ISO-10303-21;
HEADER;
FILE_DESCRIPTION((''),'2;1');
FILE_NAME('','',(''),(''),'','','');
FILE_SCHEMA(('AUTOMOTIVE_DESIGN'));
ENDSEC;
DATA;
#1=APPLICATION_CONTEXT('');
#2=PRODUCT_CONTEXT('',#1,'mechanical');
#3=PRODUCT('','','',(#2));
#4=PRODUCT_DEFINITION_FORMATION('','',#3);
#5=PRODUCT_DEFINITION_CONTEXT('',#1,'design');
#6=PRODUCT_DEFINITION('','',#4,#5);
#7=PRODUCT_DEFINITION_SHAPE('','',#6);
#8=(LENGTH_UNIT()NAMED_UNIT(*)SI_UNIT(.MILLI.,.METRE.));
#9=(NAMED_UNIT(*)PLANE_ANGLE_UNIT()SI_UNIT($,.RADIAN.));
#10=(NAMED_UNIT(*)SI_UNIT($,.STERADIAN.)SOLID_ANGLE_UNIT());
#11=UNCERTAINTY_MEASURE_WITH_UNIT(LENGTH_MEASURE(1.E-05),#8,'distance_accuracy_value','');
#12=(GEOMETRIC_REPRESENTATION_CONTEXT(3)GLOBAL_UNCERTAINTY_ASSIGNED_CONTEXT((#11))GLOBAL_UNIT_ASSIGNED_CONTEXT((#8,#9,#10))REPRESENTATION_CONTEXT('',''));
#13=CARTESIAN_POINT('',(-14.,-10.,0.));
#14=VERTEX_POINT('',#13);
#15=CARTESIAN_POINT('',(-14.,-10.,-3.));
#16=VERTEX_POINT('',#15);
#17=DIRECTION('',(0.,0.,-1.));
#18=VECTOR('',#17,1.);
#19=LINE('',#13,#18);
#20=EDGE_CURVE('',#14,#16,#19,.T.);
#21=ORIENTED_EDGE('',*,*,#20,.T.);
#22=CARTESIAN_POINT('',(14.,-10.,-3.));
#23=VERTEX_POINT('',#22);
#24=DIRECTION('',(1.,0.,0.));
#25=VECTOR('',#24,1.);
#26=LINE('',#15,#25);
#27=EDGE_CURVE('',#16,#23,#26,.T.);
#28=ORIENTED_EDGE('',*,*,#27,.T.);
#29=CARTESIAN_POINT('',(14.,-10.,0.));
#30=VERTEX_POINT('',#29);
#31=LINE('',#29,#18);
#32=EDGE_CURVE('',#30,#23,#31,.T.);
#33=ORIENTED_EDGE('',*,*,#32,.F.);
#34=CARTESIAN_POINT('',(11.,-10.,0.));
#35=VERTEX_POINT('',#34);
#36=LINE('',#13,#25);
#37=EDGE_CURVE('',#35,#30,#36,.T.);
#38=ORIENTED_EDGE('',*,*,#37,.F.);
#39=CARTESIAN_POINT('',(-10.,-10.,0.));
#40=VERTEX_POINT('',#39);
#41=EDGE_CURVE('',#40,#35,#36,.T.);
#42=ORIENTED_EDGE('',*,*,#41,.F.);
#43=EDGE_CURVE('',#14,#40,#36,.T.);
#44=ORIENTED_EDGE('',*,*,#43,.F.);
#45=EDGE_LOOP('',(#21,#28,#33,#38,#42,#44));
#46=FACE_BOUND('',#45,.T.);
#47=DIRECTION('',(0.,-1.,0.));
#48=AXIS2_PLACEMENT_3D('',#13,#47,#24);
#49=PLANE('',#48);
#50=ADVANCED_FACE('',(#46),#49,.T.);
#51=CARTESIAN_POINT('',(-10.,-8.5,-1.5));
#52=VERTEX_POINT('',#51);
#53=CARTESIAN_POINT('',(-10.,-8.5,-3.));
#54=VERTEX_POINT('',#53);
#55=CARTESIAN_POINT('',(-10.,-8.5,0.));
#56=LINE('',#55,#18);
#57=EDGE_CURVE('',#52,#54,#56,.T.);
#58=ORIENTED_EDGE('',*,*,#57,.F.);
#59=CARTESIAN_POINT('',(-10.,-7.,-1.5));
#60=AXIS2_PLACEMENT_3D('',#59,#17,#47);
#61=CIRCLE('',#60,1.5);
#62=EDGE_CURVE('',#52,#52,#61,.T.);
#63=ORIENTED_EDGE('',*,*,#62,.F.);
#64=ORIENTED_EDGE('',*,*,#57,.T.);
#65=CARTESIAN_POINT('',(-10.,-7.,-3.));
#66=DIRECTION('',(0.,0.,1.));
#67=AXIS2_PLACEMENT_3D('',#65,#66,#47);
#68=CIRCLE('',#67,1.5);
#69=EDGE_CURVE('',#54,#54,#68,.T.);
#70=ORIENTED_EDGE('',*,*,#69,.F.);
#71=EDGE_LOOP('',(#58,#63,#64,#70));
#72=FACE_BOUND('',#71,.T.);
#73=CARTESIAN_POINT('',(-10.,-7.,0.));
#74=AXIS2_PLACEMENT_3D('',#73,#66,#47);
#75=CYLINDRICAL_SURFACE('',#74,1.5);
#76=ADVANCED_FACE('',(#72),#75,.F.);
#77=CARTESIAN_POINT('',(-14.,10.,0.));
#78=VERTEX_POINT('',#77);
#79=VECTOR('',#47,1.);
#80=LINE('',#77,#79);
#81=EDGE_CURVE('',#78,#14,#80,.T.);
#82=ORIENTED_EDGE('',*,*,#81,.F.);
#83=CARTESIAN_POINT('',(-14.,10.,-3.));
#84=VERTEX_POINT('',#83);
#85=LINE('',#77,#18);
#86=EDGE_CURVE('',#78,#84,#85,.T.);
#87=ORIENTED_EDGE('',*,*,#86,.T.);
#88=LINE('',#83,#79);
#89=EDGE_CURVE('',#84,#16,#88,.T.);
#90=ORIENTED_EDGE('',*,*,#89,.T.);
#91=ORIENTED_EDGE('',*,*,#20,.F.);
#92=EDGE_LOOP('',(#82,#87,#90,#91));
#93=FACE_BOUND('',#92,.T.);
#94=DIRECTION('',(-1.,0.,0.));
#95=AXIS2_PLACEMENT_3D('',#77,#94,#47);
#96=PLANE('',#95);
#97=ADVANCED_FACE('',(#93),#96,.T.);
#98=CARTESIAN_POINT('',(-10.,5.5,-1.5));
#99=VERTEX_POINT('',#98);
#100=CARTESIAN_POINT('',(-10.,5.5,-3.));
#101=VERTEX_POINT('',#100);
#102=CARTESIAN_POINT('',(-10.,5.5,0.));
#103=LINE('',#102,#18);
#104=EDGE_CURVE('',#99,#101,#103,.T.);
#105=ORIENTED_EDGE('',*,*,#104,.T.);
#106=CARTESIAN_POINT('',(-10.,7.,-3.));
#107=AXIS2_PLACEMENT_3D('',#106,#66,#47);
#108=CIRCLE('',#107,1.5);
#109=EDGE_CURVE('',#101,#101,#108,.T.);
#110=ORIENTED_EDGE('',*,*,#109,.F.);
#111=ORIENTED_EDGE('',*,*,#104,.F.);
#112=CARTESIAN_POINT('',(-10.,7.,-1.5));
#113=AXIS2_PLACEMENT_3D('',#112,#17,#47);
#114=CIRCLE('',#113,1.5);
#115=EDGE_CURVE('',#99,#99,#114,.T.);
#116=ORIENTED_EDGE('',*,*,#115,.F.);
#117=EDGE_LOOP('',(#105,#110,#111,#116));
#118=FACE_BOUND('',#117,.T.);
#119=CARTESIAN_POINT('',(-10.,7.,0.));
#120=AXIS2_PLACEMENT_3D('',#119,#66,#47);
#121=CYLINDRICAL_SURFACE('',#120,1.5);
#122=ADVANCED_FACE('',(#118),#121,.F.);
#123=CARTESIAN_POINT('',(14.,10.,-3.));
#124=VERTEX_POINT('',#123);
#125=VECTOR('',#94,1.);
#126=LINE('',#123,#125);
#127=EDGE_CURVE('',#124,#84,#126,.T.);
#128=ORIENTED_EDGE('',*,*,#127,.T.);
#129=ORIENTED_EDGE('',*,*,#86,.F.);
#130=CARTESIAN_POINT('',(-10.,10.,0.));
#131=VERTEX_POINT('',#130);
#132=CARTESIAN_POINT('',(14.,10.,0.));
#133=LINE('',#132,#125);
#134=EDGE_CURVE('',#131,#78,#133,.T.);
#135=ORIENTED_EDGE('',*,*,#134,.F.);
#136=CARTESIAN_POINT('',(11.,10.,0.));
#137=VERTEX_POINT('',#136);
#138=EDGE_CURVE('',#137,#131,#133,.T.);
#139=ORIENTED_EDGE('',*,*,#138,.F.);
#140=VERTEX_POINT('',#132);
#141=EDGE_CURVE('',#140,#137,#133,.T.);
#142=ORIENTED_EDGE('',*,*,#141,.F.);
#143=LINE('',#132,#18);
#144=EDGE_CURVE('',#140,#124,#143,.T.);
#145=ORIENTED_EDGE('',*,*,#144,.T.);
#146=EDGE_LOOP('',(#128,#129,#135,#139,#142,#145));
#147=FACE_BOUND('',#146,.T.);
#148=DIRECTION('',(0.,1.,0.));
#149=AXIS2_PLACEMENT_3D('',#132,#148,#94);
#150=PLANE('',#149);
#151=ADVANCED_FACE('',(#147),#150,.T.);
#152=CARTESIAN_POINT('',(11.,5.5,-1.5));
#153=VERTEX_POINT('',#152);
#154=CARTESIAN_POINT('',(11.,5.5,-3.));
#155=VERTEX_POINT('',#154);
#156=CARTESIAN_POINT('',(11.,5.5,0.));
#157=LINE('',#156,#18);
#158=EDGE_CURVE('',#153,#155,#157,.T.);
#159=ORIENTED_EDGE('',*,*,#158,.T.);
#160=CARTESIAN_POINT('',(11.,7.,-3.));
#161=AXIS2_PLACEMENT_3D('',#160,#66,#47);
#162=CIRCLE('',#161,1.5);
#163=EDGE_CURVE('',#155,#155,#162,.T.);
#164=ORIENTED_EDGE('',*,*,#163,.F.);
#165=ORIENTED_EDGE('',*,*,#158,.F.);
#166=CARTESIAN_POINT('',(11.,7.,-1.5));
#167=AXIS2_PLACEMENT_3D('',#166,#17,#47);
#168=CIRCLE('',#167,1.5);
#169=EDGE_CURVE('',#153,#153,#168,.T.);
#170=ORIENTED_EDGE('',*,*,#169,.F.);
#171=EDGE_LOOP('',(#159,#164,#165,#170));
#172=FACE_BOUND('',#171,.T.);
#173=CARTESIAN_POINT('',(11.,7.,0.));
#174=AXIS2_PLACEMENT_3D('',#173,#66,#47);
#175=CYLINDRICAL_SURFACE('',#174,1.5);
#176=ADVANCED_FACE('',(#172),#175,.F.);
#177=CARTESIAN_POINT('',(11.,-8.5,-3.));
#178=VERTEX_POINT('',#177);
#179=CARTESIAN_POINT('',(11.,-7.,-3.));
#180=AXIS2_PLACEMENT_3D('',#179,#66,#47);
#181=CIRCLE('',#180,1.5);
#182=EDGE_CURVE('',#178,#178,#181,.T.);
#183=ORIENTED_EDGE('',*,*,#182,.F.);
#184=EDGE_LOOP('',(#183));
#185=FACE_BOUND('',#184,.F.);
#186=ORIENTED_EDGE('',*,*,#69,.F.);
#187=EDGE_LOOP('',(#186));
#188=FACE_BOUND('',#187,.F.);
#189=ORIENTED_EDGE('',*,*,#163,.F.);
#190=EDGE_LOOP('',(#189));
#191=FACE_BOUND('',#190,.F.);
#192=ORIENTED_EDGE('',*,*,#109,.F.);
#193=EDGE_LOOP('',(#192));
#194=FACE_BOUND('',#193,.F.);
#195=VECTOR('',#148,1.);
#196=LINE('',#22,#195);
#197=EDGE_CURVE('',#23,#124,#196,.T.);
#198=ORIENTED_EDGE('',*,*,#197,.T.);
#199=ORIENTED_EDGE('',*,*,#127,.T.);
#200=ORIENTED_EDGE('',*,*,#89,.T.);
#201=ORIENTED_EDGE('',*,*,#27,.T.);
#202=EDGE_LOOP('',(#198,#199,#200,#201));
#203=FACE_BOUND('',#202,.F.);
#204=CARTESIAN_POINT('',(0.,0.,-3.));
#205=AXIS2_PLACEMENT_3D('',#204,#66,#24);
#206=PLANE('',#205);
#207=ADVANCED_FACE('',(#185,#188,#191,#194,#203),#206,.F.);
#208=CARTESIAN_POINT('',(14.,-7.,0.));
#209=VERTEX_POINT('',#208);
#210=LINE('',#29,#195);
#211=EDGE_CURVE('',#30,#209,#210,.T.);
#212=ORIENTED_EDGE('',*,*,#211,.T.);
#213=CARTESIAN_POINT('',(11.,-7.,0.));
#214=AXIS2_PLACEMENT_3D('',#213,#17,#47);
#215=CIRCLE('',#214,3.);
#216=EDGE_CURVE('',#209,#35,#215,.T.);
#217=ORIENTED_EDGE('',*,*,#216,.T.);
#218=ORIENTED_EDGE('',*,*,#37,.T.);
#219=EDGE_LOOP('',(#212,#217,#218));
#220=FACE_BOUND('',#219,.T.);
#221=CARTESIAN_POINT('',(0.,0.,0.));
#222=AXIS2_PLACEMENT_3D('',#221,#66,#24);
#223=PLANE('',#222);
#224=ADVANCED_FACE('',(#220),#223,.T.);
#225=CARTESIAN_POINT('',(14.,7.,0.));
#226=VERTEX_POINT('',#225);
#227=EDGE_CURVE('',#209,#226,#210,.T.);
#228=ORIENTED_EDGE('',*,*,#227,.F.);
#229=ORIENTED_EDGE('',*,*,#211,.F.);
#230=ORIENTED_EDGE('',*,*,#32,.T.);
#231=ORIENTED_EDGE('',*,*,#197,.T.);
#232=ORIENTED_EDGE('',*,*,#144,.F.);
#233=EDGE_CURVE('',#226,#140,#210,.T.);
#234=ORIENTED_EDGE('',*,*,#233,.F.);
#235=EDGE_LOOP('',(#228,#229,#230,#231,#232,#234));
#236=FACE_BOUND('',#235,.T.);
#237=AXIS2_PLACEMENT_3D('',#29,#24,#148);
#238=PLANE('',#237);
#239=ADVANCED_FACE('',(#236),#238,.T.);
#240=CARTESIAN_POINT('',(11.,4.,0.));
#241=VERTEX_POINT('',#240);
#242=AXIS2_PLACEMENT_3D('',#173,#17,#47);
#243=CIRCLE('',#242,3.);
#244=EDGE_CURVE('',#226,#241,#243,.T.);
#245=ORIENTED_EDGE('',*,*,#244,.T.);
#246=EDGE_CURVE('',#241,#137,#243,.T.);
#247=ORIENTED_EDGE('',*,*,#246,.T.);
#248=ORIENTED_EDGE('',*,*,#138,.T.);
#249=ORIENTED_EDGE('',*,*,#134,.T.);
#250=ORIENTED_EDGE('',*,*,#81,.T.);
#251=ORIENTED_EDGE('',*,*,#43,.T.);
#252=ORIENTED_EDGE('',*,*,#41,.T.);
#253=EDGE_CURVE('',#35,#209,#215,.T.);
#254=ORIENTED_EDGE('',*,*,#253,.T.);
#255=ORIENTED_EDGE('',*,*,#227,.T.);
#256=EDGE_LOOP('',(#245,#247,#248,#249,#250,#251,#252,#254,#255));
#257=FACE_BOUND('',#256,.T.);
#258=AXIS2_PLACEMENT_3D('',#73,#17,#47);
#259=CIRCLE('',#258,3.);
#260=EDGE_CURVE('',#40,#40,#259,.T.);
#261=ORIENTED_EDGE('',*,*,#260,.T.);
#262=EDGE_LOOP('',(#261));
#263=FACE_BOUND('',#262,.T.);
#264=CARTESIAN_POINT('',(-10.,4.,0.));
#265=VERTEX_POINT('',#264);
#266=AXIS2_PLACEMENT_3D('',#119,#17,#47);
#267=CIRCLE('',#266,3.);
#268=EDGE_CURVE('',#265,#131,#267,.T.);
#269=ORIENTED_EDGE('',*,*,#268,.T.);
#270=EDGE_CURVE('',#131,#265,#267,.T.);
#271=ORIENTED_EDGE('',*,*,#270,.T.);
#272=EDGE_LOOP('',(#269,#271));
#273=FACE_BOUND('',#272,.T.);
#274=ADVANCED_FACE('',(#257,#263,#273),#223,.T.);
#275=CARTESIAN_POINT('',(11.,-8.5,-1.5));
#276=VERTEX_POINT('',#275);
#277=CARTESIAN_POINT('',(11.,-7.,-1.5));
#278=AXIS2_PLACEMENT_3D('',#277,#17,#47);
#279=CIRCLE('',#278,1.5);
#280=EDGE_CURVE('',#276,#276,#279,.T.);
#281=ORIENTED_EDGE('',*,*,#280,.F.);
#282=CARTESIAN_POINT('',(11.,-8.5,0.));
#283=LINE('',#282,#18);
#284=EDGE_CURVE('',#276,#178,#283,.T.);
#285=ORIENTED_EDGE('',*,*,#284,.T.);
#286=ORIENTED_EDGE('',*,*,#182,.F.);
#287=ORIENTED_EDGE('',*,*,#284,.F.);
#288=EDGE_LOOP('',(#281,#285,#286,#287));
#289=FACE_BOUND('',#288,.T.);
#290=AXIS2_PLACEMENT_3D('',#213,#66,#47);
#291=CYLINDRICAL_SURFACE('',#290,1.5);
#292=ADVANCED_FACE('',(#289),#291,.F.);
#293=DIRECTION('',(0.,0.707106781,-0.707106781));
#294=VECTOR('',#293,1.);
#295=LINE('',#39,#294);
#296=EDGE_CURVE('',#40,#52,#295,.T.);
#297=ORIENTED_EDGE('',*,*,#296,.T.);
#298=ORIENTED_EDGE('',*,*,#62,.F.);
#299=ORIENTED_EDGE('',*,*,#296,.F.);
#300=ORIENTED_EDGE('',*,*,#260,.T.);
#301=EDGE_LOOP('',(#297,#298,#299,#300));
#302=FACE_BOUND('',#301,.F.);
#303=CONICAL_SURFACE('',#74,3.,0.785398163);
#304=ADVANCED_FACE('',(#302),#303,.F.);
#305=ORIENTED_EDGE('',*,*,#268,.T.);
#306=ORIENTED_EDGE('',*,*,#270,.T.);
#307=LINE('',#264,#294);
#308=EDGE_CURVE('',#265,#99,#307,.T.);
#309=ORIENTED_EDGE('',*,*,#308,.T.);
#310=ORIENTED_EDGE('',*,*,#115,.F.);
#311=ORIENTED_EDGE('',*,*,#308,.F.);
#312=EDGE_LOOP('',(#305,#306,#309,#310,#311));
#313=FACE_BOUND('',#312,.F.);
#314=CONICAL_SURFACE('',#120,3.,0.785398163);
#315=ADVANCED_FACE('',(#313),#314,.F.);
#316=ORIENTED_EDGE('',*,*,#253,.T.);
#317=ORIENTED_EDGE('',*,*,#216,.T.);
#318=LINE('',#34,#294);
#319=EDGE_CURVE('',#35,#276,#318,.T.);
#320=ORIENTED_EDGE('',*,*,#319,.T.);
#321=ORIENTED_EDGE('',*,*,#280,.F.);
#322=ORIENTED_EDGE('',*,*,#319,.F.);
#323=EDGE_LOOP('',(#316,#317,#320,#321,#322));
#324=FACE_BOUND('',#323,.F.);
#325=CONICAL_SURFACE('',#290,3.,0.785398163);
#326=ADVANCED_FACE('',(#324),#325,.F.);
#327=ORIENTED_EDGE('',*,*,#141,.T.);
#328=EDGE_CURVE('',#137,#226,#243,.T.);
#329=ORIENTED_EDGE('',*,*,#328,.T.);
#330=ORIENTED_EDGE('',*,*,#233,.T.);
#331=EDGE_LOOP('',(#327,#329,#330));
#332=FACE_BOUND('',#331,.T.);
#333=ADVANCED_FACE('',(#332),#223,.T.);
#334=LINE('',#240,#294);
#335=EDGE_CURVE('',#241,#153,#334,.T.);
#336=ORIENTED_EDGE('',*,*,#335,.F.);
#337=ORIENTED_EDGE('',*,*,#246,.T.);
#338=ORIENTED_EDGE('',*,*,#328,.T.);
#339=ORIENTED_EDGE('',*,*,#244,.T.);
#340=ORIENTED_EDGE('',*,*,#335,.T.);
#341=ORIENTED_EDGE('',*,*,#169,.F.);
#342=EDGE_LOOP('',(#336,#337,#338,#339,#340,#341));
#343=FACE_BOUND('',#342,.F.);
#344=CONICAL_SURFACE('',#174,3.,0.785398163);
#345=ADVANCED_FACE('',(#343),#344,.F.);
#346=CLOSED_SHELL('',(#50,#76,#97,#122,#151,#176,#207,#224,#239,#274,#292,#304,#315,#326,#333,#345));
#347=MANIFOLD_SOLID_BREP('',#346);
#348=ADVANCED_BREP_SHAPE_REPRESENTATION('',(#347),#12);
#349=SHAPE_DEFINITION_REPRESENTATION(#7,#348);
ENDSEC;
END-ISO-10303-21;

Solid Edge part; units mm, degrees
sketch "Sketch1" plane through (0, 0, 0) normal (0, 0, 1) x (1, 0, 0)
  line L0 (-14, -10) -> (14, -10)
  line L1 (14, -10) -> (14, 10)
  line L2 (14, 10) -> (-14, 10)
  line L3 (-14, 10) -> (-14, -10)
extrude "Protrusion1" add sketch "Sketch1" against normal blind 3
hole "Hole1" at (11, -7, 0) direction (0, 0, -1) diameter 3 end up to next countersink diameter 6 countersink angle 90
hole "Hole2" at (11, 7, 0) direction (0, 0, -1) diameter 3 end up to next countersink diameter 6 countersink angle 90
hole "Hole3" at (-10, 7, 0) direction (0, 0, -1) diameter 3 end up to next countersink diameter 6 countersink angle 90
hole "Hole4" at (-10, -7, 0) direction (0, 0, -1) diameter 3 end up to next countersink diameter 6 countersink angle 90
